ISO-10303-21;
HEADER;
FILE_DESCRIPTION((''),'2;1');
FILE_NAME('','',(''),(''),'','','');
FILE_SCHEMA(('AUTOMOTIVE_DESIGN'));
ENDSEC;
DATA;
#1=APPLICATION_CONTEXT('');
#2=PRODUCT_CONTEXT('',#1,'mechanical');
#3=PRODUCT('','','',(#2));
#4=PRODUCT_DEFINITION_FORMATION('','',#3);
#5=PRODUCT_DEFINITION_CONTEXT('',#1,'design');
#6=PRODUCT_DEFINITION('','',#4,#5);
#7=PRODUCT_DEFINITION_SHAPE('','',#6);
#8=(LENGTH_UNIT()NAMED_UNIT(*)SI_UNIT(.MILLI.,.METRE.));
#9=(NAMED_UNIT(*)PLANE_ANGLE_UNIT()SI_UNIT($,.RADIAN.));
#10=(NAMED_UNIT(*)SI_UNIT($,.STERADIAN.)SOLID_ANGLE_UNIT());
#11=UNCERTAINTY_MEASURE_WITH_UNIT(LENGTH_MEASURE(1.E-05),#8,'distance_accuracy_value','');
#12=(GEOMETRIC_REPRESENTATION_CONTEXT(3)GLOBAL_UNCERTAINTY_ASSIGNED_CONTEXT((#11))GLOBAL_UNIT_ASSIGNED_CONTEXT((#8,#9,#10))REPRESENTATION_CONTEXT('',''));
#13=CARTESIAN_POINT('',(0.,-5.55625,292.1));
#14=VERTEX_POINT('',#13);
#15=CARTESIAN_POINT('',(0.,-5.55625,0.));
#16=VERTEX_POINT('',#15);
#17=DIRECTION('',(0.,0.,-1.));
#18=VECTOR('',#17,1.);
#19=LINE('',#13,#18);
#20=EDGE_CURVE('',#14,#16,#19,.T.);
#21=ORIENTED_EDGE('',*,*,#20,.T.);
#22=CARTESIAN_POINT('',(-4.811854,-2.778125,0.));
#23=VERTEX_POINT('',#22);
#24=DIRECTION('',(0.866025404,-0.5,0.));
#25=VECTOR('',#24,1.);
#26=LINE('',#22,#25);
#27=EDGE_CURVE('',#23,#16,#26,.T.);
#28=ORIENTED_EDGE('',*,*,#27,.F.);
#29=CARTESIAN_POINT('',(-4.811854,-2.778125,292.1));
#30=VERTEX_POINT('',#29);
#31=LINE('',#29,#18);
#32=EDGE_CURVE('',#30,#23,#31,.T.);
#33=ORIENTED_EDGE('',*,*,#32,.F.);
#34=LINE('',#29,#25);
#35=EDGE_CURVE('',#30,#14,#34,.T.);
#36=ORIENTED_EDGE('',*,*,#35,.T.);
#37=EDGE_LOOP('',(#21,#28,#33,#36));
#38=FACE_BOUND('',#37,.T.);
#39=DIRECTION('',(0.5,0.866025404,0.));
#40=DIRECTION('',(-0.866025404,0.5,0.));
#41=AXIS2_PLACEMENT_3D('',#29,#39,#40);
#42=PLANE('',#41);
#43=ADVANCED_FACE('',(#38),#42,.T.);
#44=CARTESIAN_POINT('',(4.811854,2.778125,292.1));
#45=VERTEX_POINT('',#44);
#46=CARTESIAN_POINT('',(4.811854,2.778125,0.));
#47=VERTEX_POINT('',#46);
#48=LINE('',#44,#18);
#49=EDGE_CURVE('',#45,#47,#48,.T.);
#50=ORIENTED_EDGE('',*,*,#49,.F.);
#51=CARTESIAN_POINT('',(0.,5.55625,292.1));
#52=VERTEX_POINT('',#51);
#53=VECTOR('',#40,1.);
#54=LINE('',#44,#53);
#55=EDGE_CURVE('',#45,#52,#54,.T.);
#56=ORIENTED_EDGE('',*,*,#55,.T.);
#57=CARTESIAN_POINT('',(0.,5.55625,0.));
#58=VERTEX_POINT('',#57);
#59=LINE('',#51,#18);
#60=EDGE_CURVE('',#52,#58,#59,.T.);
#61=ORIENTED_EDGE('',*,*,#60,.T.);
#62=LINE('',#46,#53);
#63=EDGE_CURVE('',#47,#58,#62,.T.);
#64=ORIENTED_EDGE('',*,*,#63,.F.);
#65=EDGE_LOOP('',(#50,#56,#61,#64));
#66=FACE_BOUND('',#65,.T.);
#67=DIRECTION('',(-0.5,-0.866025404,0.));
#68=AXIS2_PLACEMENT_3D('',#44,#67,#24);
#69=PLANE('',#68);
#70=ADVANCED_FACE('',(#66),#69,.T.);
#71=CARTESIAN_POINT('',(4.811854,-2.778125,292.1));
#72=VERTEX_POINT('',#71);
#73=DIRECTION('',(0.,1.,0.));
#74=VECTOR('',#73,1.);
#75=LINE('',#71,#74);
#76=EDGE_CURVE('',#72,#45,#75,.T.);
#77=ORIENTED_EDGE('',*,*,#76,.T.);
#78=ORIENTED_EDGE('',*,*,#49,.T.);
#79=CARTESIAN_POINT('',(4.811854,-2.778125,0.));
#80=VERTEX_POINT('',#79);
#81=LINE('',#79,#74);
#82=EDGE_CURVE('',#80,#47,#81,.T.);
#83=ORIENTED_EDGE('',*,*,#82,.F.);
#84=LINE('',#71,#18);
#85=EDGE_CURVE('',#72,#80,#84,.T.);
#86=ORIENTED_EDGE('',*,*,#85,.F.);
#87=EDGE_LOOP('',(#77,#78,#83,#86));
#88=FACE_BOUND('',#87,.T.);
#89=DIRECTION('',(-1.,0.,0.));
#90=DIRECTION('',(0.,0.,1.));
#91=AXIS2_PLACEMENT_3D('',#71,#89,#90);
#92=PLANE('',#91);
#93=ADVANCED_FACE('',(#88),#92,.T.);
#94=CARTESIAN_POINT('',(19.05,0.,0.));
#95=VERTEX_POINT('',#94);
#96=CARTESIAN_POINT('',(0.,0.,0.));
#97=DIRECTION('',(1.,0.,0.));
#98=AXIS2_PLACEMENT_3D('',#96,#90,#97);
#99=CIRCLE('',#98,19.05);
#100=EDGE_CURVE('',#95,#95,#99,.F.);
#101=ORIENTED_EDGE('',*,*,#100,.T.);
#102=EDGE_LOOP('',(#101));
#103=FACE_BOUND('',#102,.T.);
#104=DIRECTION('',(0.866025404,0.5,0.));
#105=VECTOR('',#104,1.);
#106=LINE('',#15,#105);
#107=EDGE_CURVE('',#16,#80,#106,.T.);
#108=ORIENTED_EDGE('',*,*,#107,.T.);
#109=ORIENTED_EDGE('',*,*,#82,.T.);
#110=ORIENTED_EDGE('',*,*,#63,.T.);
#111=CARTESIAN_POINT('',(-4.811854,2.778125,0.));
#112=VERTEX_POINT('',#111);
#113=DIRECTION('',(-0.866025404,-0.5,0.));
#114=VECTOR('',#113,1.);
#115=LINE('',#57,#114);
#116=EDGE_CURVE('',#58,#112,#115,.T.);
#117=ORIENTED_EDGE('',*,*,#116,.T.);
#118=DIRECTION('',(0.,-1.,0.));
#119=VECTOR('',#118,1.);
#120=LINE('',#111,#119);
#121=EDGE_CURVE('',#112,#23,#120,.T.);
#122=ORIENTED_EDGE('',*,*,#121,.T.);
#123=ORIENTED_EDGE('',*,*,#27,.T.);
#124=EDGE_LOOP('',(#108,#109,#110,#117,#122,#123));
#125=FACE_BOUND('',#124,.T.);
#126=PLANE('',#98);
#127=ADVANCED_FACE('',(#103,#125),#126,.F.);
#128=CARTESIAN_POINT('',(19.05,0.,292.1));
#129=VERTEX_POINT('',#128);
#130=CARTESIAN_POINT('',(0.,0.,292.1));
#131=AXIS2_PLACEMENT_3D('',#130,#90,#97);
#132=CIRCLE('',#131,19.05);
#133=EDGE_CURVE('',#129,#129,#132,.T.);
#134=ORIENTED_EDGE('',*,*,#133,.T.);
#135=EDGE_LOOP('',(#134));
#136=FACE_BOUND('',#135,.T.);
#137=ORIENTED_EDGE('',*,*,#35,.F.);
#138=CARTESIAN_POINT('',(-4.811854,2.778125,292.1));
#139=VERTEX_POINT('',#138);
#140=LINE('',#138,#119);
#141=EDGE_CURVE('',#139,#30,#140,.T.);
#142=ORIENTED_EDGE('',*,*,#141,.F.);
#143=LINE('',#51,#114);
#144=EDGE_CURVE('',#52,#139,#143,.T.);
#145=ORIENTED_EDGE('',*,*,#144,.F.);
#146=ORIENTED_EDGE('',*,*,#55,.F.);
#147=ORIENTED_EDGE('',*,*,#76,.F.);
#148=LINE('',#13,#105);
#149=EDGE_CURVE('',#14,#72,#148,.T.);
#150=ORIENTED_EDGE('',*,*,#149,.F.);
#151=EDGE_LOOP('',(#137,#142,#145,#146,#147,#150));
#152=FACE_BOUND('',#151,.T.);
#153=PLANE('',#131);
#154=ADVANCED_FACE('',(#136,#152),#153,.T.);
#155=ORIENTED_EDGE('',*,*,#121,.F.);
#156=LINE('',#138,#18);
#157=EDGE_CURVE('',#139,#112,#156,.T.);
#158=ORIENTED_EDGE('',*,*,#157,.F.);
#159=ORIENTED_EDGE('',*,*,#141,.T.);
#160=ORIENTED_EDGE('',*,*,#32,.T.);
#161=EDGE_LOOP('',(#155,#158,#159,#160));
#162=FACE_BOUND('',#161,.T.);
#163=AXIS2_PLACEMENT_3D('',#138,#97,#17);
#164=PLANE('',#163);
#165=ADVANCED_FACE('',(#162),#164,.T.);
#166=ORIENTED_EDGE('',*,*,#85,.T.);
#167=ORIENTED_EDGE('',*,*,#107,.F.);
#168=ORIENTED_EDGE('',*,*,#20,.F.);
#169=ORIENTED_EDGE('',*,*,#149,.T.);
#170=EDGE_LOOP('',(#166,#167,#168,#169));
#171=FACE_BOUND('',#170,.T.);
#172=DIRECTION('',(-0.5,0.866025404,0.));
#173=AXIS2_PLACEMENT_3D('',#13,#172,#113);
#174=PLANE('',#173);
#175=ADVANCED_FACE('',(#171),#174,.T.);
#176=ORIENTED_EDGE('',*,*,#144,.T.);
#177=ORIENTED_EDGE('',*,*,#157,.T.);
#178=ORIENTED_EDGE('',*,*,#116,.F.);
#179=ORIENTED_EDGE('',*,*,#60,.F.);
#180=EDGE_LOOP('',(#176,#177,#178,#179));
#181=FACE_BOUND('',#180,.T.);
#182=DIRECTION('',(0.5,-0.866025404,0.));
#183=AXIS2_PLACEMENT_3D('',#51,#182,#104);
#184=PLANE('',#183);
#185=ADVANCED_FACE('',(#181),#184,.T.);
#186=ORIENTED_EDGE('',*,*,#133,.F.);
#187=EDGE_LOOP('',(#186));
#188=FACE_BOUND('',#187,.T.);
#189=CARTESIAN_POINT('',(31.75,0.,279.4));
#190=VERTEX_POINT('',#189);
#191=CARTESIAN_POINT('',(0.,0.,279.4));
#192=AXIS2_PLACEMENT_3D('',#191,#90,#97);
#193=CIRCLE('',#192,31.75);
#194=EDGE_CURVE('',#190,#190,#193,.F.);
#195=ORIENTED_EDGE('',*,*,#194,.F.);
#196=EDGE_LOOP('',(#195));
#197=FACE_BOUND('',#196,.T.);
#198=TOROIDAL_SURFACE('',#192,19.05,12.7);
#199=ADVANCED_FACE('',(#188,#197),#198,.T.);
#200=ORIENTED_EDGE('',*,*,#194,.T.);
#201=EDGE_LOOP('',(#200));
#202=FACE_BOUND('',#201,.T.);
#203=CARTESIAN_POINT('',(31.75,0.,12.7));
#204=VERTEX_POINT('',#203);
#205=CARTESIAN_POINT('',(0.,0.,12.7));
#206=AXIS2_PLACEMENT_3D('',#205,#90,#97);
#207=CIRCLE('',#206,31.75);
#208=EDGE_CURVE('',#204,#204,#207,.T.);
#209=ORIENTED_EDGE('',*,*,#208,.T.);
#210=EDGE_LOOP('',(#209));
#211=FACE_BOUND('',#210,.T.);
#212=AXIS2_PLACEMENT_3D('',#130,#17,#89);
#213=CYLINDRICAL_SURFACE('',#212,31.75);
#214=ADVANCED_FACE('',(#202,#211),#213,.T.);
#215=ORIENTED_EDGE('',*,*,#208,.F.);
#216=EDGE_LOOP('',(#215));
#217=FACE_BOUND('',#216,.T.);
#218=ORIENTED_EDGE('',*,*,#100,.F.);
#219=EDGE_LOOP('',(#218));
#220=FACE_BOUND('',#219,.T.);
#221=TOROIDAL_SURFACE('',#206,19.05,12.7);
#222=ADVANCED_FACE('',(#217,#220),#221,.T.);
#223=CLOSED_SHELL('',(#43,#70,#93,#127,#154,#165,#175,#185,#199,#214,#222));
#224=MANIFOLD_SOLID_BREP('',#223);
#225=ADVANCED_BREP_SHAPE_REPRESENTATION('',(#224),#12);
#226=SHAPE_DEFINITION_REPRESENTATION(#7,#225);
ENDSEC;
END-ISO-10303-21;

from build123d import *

# Parameters (mm, degrees)
SKETCH1_R           = 31.75
BOSS_EXTRUDE1_DEPTH = 292.1
FILLET1_R           = 12.7
FILLET2_R           = 12.7


with BuildPart() as part:
    # Sketch1 → Boss-Extrude1 (new body)
    with BuildSketch(Plane.XY):
        Circle(SKETCH1_R)
        Polygon((0, -5.55625), (4.81185365, -2.778125), (4.81185365, 2.778125), (0, 5.55625), (-4.81185365, 2.778125), (-4.81185365, -2.778125), align=None, mode=Mode.SUBTRACT)
    extrude(amount=BOSS_EXTRUDE1_DEPTH)

    # Fillet1
    fillet1_edges = [part.edges().sort_by_distance(p)[0] for p in [
        (-31.75, 0, 292.1),
    ]]
    fillet(fillet1_edges, radius=FILLET1_R)

    # Fillet2
    fillet2_edges = [part.edges().sort_by_distance(p)[0] for p in [
        (-31.75, 0, 0),
    ]]
    fillet(fillet2_edges, radius=FILLET2_R)


solid = part.part
